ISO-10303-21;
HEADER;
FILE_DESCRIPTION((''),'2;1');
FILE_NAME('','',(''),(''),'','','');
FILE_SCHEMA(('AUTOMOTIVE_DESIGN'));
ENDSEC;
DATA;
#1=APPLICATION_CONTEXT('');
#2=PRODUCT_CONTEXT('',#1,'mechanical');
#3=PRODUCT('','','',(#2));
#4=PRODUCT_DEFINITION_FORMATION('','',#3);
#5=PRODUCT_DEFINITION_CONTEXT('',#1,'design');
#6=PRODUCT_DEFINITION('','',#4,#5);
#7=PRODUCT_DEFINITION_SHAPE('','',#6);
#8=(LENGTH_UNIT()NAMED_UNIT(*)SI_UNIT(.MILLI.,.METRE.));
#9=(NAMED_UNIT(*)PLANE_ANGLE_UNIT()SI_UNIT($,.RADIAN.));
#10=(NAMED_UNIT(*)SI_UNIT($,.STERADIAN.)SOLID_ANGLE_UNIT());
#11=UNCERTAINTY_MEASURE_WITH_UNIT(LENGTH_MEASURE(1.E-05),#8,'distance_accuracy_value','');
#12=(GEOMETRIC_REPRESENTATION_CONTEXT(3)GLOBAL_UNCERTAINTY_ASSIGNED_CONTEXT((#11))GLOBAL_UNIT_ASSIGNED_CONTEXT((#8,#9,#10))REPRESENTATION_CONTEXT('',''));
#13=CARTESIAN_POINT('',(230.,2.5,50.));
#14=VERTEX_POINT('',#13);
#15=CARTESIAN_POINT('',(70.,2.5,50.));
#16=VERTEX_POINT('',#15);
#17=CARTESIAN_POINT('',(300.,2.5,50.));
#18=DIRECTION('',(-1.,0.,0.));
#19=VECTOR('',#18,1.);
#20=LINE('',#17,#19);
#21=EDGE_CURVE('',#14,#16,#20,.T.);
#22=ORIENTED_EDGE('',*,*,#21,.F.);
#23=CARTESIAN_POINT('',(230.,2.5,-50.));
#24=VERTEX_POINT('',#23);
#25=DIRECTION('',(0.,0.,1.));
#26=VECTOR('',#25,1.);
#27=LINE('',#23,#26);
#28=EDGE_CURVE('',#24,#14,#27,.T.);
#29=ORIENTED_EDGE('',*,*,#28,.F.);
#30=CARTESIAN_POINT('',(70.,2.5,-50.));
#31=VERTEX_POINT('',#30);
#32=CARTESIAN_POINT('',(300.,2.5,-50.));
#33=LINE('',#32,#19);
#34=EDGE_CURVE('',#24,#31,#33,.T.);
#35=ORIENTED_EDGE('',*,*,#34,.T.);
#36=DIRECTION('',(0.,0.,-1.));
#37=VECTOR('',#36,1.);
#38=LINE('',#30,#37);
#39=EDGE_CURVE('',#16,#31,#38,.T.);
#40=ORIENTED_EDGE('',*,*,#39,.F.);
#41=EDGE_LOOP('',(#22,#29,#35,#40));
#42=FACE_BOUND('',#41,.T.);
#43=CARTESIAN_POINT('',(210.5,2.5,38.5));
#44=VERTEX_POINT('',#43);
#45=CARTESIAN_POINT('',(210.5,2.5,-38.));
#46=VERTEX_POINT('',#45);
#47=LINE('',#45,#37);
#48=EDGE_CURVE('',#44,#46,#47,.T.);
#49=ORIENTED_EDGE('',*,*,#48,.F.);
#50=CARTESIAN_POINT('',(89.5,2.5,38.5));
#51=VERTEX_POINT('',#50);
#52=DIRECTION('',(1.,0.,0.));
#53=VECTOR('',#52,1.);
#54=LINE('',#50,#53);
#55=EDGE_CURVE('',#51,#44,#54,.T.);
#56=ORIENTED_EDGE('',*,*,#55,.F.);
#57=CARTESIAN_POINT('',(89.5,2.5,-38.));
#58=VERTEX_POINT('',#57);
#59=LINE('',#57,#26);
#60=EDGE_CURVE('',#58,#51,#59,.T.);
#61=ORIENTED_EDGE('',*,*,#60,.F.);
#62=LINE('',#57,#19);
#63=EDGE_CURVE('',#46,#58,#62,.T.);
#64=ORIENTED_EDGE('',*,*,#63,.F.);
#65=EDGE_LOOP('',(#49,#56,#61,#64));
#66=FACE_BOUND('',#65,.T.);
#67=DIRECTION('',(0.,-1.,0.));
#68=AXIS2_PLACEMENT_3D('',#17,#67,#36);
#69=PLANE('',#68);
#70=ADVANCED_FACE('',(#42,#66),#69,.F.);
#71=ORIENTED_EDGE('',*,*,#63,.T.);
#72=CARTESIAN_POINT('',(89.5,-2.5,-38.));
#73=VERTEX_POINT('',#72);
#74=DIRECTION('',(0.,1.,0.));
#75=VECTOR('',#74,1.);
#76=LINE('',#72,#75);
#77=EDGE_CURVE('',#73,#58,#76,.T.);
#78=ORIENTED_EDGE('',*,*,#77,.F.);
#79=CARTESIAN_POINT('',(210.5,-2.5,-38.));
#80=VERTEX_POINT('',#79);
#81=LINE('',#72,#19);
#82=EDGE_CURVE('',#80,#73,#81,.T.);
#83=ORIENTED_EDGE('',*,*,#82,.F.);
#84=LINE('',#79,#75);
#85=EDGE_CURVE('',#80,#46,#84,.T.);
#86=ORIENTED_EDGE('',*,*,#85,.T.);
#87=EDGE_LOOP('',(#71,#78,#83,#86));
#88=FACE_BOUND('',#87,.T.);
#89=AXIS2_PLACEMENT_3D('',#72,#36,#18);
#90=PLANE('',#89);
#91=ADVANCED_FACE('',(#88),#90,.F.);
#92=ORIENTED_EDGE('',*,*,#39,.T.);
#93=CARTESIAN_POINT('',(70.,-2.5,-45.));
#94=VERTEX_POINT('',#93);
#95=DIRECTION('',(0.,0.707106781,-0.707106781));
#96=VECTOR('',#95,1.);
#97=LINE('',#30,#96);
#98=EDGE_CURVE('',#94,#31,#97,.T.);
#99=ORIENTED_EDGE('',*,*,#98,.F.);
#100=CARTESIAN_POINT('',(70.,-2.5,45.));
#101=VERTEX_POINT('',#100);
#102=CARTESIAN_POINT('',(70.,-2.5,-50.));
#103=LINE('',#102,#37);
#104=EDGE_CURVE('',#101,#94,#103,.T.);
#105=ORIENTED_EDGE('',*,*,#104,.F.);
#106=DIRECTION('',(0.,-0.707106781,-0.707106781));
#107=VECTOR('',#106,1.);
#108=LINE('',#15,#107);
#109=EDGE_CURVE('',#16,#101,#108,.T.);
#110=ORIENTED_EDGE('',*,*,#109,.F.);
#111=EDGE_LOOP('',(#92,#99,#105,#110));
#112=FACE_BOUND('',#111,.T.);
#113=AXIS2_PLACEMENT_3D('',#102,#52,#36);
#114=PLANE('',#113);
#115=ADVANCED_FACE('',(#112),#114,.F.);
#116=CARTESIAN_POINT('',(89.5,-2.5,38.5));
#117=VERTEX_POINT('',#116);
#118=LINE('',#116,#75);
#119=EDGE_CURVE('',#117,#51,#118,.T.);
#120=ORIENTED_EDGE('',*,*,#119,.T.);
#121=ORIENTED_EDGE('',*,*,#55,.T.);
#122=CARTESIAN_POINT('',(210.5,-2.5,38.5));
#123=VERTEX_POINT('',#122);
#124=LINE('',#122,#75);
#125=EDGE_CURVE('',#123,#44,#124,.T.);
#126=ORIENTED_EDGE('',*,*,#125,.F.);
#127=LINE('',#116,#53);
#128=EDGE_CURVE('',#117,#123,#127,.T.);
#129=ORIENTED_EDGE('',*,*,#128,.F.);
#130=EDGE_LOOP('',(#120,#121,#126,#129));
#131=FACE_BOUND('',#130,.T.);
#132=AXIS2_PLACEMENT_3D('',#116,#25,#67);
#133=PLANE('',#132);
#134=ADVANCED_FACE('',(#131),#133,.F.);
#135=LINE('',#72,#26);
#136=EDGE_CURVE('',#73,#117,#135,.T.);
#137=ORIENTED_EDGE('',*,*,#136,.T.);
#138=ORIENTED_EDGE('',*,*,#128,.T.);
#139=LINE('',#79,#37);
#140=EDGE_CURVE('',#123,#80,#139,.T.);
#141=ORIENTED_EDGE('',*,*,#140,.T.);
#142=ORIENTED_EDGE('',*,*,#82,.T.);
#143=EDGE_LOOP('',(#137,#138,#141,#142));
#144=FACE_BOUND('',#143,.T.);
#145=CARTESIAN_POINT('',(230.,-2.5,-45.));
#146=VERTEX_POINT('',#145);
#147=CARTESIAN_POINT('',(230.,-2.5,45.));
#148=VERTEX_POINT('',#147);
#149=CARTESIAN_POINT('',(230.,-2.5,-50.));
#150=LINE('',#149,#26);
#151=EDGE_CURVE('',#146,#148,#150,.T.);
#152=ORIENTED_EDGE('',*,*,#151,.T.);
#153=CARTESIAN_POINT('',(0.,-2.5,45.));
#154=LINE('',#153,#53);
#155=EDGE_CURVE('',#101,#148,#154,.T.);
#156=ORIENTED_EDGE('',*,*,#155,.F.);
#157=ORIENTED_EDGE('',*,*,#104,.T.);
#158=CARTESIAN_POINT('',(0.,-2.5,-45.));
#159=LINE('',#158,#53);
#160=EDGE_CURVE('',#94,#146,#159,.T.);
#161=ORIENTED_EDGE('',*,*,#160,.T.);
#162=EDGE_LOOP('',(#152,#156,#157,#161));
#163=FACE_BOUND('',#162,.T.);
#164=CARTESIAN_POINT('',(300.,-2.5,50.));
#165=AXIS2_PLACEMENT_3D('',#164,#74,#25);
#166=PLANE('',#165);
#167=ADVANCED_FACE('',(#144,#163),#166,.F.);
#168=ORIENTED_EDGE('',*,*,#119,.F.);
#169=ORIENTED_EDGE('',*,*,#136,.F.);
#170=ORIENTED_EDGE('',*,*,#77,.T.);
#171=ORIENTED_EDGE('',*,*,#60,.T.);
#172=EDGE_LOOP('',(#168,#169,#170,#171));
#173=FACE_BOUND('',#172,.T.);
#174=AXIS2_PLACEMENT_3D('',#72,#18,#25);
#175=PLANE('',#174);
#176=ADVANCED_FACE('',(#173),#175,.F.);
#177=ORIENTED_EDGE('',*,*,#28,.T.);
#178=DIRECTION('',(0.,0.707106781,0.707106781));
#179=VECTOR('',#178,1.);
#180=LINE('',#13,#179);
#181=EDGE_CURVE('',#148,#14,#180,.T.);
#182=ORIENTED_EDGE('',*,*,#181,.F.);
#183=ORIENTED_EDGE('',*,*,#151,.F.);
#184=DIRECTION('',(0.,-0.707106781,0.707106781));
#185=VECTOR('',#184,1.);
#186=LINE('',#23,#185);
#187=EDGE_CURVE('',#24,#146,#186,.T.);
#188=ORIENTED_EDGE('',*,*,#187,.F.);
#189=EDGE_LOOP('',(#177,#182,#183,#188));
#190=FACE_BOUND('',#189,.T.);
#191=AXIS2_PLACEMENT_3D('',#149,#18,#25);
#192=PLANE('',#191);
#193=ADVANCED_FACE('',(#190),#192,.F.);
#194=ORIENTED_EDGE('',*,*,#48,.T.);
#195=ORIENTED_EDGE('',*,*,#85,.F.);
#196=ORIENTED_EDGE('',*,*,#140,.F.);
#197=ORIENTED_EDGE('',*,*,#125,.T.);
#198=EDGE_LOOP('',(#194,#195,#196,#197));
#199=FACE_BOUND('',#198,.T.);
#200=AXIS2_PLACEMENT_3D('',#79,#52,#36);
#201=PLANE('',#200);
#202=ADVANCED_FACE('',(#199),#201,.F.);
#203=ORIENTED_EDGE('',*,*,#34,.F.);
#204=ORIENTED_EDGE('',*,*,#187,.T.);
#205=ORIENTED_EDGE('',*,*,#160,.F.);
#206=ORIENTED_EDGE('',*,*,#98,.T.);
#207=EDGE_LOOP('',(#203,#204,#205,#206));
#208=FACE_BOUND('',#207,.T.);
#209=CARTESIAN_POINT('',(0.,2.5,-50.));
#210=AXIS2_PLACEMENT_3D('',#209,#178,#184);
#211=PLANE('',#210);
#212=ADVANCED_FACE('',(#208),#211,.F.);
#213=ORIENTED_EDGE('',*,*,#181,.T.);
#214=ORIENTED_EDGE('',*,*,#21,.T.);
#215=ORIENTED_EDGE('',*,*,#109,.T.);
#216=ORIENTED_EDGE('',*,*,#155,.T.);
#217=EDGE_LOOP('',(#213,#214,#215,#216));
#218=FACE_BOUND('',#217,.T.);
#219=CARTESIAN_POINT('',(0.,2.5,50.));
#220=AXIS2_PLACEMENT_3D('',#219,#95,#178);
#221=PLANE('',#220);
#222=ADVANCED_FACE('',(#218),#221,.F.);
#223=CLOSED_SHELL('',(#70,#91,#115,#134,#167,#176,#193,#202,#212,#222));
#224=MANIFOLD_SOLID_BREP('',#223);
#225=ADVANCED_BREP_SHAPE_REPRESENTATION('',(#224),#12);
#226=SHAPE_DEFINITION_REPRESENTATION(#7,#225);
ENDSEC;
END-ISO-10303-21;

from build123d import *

# Parameters (mm, degrees)
SKETCH1_W           = 100
SKETCH1_H           = 5
BOSS_EXTRUDE1_DEPTH = 300
CUT_EXTRUDE1_DEPTH  = 300
SKETCH3_W           = 121
SKETCH3_H           = 76.5
CUT_EXTRUDE2_DEPTH  = 5
CUT_EXTRUDE3_DEPTH  = 300
SKETCH5_W           = 70
SKETCH5_H           = 100
CUT_EXTRUDE4_DEPTH  = 5


with BuildPart() as part:
    # Sketch1 → Boss-Extrude1 (new body)
    with BuildSketch(Plane(origin=(0, 0, 0), x_dir=(0, 0, -1), z_dir=(1, 0, 0))):
        Rectangle(SKETCH1_W, SKETCH1_H)
    extrude(amount=BOSS_EXTRUDE1_DEPTH)

    # Sketch2 → Cut-Extrude1 (cut)
    with BuildSketch(Plane(origin=(300, 0, 0), x_dir=(0, 0, -1), z_dir=(1, 0, 0))):
        Polygon((-50, 2.5), (-45, -2.5), (-50, -2.5), align=None)
    extrude(amount=-CUT_EXTRUDE1_DEPTH, mode=Mode.SUBTRACT)

    # Sketch3 → Cut-Extrude2 (cut)
    with BuildSketch(Plane(origin=(0, 2.5, 0), x_dir=(1, 0, 0), z_dir=(0, 1, 0))):
        with Locations((150, -0.25)):
            Rectangle(SKETCH3_W, SKETCH3_H)
    extrude(amount=-CUT_EXTRUDE2_DEPTH, mode=Mode.SUBTRACT)

    # Sketch4 → Cut-Extrude3 (cut)
    with BuildSketch(Plane(origin=(300, 0, 0), x_dir=(0, 0, -1), z_dir=(1, 0, 0))):
        Polygon((50, 2.5), (45, -2.5), (50, -2.5), align=None)
    extrude(amount=-CUT_EXTRUDE3_DEPTH, mode=Mode.SUBTRACT)

    # Sketch5 → Cut-Extrude4 (cut)
    with BuildSketch(Plane(origin=(0, 2.5, 0), x_dir=(1, 0, 0), z_dir=(0, 1, 0))):
        with Locations((35, 0)):
            Rectangle(SKETCH5_W, SKETCH5_H)
        with Locations((265, 0)):
            Rectangle(SKETCH5_W, SKETCH5_H)
    extrude(amount=-CUT_EXTRUDE4_DEPTH, mode=Mode.SUBTRACT)


solid = part.part
